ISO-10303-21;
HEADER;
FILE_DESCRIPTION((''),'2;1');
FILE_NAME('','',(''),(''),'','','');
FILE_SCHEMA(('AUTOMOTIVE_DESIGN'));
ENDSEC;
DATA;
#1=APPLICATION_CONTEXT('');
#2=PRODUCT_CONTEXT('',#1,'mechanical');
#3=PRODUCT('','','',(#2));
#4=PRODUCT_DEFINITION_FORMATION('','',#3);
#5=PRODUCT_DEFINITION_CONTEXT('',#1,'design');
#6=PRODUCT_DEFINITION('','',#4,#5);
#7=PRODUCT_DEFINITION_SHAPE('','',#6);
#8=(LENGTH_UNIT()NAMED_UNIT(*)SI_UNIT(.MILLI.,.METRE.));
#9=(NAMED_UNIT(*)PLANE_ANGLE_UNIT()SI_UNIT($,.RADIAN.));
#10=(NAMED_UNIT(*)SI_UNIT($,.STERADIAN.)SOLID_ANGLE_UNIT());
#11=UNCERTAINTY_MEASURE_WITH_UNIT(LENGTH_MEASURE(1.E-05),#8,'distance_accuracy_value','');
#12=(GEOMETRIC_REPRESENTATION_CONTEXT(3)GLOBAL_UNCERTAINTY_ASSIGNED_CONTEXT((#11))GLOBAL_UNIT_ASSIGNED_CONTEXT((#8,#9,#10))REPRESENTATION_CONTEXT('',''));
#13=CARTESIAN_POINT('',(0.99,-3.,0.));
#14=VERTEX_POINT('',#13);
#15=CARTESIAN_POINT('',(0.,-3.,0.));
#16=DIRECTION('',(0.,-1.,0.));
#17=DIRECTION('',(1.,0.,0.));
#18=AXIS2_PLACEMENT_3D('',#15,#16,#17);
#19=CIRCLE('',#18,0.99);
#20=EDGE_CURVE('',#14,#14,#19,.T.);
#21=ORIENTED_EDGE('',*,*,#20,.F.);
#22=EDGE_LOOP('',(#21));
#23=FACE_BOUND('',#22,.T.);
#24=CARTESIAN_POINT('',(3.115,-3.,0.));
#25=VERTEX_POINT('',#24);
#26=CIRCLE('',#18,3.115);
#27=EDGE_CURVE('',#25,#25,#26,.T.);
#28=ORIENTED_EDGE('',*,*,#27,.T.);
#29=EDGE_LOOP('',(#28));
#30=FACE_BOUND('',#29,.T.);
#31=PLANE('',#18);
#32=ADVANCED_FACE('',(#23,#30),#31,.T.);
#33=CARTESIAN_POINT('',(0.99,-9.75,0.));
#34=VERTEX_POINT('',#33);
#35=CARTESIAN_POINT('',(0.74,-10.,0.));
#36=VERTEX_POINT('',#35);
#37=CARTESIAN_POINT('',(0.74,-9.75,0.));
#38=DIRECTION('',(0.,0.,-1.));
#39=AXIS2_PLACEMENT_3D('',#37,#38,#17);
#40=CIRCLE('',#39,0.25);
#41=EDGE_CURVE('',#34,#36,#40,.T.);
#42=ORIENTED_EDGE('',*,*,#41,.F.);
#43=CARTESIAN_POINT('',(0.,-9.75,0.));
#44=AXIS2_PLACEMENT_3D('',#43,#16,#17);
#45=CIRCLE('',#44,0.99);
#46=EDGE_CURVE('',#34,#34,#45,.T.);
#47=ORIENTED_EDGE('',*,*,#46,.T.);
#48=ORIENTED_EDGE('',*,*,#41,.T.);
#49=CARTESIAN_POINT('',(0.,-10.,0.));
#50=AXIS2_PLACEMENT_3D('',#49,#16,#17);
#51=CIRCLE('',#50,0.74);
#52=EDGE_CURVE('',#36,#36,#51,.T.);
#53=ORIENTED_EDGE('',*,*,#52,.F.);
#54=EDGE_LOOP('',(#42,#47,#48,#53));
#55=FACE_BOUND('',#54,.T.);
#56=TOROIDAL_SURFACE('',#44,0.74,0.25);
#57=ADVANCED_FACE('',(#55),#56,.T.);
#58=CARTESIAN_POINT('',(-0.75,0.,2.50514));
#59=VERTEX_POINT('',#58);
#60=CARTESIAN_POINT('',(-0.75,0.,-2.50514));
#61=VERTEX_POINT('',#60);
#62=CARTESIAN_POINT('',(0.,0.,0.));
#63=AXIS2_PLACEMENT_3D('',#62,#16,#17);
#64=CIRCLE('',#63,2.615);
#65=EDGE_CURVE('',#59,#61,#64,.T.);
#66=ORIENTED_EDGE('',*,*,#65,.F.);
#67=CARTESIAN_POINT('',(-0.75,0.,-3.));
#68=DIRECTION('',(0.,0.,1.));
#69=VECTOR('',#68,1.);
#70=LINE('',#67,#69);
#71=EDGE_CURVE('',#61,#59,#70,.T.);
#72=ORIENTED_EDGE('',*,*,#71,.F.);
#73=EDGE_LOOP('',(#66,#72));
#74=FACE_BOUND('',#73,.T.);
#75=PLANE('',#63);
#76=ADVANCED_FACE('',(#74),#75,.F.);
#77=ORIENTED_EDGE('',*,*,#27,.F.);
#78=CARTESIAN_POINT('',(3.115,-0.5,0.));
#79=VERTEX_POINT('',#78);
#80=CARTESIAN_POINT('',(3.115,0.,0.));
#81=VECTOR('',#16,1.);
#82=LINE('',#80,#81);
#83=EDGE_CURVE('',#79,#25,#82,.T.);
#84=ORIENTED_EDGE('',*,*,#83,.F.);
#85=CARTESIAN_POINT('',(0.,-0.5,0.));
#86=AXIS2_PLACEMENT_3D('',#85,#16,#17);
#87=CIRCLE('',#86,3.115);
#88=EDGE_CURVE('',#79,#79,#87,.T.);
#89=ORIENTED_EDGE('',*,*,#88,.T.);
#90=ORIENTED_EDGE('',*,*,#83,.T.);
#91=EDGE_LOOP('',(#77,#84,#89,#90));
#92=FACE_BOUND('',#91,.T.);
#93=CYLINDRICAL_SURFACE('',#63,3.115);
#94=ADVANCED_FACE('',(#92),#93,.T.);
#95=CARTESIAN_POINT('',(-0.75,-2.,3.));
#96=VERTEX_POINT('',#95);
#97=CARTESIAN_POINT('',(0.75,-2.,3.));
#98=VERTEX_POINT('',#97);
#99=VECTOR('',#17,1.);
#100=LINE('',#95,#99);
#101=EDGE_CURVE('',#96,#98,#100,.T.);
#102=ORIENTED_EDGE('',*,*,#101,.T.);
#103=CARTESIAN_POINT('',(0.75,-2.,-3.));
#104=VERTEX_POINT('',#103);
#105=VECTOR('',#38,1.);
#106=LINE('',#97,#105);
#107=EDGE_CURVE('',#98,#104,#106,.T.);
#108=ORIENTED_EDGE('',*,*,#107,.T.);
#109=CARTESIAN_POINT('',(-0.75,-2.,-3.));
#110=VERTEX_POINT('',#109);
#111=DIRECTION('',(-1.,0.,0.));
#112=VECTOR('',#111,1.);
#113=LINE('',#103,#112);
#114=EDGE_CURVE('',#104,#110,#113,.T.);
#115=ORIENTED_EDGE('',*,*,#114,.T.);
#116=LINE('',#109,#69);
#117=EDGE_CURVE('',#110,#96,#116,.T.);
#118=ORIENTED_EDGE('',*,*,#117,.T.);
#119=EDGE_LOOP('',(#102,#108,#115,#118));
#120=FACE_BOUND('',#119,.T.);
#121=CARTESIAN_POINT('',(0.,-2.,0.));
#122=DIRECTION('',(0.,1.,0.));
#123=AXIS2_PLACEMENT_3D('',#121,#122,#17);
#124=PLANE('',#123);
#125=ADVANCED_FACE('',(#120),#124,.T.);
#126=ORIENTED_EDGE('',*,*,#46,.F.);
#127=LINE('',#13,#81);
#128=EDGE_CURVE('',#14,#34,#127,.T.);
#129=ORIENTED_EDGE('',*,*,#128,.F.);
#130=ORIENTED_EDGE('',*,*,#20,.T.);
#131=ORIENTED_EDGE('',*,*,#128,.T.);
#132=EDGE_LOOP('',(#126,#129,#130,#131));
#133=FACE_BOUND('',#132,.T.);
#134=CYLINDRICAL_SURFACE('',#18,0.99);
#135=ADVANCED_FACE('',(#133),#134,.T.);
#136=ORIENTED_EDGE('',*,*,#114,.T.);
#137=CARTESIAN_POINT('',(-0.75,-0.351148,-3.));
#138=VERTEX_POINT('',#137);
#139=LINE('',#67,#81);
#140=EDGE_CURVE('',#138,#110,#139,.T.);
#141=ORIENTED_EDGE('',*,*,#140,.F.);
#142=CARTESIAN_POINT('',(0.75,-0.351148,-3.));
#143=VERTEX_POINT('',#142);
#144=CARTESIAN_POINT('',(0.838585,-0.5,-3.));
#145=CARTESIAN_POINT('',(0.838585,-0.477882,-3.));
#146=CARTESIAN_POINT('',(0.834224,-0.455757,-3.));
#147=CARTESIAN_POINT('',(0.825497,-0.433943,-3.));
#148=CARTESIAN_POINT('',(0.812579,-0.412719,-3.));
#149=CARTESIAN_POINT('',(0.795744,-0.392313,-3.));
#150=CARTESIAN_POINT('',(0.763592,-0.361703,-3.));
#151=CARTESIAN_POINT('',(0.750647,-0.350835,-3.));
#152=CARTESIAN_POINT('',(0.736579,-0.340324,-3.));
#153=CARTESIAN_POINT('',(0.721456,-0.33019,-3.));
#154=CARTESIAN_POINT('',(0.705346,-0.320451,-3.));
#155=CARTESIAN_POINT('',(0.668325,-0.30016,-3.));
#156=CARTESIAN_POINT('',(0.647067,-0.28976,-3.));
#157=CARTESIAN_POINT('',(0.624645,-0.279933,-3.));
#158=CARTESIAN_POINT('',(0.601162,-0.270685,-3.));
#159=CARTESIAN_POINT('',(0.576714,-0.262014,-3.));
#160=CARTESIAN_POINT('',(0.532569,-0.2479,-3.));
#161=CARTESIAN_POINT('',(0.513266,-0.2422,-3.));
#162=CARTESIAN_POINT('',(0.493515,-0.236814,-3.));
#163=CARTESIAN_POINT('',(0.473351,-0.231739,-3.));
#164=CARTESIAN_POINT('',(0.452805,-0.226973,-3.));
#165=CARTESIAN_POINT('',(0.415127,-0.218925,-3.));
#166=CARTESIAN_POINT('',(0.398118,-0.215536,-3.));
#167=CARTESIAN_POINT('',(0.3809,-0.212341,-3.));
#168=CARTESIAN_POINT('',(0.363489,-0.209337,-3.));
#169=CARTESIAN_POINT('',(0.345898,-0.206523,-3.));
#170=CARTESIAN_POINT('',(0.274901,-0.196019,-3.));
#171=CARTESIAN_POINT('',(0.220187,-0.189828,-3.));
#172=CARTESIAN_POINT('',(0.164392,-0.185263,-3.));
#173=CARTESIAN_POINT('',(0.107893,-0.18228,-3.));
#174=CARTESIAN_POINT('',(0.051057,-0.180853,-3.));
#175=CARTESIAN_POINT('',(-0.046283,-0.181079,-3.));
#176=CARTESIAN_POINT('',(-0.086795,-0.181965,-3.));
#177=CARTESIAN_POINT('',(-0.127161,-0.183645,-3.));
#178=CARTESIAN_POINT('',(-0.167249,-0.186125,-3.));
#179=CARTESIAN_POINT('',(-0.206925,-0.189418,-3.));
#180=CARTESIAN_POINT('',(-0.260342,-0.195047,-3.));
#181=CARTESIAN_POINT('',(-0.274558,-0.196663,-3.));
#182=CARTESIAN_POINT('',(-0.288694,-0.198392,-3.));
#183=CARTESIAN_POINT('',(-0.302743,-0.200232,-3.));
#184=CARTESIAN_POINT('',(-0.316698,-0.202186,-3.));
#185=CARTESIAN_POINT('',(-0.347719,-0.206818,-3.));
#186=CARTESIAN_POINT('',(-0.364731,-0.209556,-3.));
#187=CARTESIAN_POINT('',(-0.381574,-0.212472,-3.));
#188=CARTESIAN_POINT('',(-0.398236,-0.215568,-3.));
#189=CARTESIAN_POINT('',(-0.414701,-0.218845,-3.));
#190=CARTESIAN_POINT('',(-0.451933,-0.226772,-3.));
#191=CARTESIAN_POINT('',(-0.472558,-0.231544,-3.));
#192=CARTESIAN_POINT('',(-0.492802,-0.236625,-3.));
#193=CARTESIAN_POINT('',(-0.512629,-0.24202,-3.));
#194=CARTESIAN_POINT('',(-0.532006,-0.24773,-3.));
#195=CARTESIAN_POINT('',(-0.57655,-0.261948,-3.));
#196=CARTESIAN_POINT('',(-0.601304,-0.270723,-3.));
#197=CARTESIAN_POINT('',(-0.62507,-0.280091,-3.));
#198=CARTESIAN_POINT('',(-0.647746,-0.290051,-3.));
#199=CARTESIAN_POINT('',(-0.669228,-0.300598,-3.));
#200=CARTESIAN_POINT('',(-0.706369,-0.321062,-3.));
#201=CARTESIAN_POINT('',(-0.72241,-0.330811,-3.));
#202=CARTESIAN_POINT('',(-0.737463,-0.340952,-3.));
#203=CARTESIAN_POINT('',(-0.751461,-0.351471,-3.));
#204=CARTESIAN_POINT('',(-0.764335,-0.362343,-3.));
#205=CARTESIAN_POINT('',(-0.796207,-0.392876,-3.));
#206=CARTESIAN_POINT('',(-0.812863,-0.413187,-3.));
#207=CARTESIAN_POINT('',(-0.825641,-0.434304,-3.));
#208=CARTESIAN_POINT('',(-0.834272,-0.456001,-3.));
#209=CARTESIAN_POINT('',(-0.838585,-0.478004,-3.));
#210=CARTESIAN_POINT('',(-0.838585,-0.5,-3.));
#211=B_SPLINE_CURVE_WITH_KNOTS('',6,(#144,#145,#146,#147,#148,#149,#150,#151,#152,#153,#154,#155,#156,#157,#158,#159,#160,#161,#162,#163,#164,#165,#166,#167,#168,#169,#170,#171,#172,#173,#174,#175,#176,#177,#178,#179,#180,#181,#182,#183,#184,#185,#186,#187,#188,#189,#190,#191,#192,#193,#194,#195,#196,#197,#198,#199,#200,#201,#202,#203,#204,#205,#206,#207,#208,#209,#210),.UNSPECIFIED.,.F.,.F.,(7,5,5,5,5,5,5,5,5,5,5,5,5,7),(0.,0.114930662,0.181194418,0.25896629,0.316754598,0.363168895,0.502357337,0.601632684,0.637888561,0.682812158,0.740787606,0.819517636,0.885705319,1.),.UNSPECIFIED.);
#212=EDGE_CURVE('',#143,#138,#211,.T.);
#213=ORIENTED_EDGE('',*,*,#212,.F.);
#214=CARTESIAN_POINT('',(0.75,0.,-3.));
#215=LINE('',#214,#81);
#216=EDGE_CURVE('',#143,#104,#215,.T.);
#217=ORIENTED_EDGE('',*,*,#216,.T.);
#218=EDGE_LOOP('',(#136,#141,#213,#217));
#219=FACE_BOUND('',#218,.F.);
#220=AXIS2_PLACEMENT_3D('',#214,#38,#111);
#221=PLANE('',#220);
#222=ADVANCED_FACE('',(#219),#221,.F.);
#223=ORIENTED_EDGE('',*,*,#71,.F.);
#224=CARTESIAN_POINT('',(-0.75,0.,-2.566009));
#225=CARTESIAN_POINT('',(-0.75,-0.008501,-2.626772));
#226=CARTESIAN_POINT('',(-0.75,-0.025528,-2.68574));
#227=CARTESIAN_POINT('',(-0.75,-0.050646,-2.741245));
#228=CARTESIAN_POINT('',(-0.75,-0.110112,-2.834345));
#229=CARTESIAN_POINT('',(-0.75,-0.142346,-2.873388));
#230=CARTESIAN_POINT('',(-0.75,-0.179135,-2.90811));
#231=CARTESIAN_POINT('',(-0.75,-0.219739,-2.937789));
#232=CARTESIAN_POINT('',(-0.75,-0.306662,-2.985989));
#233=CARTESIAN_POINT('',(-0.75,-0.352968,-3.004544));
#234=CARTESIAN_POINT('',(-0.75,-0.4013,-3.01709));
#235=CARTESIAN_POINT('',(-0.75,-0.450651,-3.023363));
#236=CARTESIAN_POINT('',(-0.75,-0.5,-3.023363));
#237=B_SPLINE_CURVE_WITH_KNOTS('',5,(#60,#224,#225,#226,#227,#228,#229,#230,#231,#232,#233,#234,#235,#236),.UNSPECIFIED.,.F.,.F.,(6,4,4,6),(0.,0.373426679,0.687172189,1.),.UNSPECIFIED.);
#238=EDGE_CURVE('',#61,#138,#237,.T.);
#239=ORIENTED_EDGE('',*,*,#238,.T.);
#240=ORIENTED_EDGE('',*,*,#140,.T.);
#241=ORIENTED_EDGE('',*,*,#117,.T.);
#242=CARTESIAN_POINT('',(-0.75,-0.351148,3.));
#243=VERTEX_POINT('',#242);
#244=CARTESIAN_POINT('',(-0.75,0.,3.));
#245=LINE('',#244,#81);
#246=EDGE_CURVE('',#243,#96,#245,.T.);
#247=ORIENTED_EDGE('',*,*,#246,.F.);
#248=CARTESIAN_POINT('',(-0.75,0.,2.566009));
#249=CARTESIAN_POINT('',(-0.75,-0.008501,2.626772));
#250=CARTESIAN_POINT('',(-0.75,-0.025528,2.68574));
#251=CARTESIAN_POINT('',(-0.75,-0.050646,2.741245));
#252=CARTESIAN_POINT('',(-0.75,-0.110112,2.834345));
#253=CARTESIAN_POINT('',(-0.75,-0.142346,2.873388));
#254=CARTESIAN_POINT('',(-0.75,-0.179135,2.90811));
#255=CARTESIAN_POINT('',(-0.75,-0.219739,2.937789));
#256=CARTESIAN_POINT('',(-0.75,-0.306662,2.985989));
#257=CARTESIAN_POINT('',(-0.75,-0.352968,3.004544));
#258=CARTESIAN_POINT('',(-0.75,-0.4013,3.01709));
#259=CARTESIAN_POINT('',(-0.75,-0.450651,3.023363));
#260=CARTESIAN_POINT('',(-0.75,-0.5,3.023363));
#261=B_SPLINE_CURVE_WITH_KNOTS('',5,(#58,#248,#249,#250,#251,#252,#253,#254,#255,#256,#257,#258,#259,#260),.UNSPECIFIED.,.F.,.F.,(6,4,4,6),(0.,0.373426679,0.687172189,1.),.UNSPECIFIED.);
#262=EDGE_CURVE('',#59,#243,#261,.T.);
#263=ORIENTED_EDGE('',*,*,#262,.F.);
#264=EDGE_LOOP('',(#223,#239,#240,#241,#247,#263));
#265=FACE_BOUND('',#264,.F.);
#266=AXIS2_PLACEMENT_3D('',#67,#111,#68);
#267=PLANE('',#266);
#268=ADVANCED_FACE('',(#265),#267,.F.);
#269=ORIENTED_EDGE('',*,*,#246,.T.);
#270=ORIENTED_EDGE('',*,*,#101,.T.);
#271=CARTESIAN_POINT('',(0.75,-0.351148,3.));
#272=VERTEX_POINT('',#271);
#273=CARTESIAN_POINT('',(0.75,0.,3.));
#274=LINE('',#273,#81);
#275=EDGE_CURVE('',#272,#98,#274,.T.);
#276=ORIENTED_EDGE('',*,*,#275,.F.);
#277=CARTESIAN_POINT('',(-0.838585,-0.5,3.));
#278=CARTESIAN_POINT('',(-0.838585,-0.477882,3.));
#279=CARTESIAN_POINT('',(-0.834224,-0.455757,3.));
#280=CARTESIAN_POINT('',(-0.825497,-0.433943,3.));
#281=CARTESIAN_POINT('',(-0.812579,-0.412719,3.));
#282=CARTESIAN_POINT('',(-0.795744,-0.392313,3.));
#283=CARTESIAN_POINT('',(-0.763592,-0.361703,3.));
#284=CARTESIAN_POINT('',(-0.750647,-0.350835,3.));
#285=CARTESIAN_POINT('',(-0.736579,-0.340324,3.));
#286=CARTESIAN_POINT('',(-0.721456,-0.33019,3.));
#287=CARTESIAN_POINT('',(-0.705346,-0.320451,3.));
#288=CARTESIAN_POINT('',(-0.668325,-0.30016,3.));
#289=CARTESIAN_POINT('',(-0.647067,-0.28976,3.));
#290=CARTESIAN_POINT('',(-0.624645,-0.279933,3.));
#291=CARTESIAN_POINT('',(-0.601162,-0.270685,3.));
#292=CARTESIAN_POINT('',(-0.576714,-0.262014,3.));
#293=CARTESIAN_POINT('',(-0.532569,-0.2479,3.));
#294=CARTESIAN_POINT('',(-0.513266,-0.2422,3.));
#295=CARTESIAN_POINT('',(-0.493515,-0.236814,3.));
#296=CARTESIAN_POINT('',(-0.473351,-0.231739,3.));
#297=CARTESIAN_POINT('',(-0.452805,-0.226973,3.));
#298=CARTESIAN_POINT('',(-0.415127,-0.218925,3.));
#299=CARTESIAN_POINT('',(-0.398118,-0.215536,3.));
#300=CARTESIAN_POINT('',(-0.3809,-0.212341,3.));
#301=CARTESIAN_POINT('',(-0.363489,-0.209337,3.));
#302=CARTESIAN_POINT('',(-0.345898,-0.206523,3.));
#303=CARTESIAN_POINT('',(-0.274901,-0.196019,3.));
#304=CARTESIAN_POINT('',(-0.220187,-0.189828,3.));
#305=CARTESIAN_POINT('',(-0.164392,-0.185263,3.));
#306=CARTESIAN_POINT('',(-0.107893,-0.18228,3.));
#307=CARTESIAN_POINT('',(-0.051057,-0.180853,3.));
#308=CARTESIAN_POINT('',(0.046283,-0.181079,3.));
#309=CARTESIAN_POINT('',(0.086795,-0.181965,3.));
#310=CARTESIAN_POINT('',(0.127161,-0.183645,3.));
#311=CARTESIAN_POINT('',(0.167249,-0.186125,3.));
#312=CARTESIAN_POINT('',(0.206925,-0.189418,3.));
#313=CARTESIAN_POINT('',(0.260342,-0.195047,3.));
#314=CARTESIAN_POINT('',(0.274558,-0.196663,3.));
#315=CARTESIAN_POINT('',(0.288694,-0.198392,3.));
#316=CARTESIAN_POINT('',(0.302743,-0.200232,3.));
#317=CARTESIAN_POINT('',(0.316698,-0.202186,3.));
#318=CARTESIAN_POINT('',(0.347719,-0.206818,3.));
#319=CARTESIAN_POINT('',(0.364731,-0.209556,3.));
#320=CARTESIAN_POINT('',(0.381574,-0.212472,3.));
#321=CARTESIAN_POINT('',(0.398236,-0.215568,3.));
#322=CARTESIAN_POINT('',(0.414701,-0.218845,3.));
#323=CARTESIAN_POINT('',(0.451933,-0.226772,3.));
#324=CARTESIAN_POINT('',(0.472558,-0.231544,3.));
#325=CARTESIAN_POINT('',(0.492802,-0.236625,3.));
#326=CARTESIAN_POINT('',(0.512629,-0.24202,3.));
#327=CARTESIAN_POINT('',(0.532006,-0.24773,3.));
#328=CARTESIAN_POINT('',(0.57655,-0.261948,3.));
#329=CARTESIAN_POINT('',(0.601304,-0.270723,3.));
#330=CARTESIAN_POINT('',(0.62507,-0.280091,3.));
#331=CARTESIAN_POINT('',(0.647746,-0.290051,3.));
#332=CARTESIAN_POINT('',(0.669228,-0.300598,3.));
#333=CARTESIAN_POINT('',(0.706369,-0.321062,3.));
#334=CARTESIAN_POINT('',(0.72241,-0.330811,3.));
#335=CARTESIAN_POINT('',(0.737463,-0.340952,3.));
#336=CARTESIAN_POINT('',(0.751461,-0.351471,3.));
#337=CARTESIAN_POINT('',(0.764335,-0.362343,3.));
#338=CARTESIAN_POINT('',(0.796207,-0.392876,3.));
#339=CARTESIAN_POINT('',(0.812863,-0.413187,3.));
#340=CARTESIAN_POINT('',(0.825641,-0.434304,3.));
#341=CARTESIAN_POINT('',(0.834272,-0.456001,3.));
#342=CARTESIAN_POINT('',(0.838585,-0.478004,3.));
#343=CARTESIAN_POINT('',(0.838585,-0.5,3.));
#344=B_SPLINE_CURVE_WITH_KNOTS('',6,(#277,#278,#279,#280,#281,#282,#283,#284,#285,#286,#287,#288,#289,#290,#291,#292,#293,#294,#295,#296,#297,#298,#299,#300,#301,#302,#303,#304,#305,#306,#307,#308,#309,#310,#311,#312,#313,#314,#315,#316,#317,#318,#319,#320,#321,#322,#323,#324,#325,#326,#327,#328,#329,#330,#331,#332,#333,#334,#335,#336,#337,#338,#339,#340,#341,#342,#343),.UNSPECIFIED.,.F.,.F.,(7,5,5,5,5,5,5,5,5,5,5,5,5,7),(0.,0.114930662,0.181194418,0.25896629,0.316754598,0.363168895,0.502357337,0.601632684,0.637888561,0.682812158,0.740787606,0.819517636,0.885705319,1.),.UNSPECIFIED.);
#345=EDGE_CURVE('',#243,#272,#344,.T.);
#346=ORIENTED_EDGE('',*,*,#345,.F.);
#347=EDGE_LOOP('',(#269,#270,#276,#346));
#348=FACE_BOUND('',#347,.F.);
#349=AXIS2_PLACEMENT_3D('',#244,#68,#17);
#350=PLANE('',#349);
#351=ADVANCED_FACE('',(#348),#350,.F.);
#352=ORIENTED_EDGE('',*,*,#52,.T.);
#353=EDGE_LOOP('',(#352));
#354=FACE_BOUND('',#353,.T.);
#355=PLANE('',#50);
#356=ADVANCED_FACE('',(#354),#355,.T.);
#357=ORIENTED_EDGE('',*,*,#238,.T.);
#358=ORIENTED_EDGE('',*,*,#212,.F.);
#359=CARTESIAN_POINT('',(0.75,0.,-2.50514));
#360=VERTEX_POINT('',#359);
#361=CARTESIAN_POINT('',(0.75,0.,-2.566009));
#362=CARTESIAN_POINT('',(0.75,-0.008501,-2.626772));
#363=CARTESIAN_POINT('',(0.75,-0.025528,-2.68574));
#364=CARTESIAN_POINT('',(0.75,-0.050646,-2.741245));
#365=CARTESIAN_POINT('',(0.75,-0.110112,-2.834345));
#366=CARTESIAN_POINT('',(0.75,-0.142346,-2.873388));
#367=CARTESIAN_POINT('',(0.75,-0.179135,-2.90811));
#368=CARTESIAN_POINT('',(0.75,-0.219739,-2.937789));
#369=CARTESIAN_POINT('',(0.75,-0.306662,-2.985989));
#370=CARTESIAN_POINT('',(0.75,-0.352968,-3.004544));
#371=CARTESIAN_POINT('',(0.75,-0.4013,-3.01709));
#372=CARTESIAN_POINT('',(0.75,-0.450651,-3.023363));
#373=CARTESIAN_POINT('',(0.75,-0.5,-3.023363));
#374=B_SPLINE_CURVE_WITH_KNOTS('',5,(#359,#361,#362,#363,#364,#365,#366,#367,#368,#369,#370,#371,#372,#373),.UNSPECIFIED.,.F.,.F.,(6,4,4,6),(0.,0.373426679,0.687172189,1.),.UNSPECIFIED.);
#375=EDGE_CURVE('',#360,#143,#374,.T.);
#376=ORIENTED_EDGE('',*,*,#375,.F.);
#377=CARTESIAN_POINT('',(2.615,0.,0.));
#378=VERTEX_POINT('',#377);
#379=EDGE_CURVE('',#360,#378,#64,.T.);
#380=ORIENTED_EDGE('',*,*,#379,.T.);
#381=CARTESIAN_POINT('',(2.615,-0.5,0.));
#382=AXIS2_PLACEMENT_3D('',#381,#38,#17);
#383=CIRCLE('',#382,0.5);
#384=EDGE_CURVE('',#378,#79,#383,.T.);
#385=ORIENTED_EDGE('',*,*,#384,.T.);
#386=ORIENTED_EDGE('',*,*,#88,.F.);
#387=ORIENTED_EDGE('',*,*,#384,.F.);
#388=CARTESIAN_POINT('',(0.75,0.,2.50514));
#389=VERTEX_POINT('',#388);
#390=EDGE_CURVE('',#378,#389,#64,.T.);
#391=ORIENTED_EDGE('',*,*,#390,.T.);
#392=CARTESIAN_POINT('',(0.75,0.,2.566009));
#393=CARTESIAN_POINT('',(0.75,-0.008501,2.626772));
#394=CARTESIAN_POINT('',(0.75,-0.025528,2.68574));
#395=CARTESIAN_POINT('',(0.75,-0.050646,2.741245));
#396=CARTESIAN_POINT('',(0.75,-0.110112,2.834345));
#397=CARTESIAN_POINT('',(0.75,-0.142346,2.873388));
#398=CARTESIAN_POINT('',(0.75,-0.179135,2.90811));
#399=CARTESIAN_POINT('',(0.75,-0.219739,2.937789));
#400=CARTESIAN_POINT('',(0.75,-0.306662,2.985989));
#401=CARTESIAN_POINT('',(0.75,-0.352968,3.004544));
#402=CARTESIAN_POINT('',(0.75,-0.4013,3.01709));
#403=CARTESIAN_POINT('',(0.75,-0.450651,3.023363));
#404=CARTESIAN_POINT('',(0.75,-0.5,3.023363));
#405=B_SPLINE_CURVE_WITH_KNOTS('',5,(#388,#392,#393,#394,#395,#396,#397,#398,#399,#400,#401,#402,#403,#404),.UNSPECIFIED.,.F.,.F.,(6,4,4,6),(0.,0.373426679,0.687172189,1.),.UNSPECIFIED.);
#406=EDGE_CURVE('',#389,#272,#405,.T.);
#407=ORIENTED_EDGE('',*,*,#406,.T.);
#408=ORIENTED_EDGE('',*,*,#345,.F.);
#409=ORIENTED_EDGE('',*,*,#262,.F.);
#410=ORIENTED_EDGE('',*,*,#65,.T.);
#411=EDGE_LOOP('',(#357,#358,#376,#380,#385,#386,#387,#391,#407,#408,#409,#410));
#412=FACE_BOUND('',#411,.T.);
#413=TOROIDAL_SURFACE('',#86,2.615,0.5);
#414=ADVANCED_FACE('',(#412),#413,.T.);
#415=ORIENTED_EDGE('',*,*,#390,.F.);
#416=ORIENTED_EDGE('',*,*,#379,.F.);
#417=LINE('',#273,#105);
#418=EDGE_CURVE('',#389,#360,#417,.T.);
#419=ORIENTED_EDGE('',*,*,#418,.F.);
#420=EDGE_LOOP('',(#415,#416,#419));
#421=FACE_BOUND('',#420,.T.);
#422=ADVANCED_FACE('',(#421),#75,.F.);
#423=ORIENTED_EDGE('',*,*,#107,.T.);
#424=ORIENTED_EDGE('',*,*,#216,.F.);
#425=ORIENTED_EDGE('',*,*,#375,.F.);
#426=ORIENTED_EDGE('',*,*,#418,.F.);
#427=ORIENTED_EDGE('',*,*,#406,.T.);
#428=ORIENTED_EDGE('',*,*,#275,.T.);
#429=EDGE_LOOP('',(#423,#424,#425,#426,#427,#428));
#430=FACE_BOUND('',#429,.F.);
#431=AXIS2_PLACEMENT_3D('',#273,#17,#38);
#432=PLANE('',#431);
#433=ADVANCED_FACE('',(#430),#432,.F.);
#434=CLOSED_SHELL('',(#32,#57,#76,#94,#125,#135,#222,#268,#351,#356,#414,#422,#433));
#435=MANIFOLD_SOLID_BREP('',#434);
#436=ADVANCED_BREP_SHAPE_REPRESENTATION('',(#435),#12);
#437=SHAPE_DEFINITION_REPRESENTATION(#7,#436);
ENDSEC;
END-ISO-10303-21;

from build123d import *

# Parameters (mm, degrees)
FILLET1_R          = 0.5
FILLET2_R          = 0.25
CUT_EXTRUDE1_DEPTH = 2


with BuildPart() as part:
    # Sketch2 → Revolve1 (revolve)
    with BuildSketch(Plane.XY):
        Polygon((0, 0), (3.115, 0), (3.115, -3), (0.99, -3), (0.99, -10), (0, -10), align=None)
    revolve(axis=Axis((0, 0, 0), (0, -1, 0)))

    # Fillet1
    fillet1_edges = [part.edges().sort_by_distance(p)[0] for p in [
        (-3.115, 0, 0),
    ]]
    fillet(fillet1_edges, radius=FILLET1_R)

    # Fillet2
    fillet2_edges = [part.edges().sort_by_distance(p)[0] for p in [
        (-0.99, -10, 0),
    ]]
    fillet(fillet2_edges, radius=FILLET2_R)

    # Sketch4 → Cut-Extrude1 (cut)
    with BuildSketch(Plane(origin=(0, 0, 0), x_dir=(1, 0, 0), z_dir=(0, 1, 0))):
        Polygon((0.75, -3), (0.75, 0.051459753), (0.75, 3), (-0.75, 3), (-0.75, -3), align=None)
    extrude(amount=-CUT_EXTRUDE1_DEPTH, mode=Mode.SUBTRACT)


solid = part.part
